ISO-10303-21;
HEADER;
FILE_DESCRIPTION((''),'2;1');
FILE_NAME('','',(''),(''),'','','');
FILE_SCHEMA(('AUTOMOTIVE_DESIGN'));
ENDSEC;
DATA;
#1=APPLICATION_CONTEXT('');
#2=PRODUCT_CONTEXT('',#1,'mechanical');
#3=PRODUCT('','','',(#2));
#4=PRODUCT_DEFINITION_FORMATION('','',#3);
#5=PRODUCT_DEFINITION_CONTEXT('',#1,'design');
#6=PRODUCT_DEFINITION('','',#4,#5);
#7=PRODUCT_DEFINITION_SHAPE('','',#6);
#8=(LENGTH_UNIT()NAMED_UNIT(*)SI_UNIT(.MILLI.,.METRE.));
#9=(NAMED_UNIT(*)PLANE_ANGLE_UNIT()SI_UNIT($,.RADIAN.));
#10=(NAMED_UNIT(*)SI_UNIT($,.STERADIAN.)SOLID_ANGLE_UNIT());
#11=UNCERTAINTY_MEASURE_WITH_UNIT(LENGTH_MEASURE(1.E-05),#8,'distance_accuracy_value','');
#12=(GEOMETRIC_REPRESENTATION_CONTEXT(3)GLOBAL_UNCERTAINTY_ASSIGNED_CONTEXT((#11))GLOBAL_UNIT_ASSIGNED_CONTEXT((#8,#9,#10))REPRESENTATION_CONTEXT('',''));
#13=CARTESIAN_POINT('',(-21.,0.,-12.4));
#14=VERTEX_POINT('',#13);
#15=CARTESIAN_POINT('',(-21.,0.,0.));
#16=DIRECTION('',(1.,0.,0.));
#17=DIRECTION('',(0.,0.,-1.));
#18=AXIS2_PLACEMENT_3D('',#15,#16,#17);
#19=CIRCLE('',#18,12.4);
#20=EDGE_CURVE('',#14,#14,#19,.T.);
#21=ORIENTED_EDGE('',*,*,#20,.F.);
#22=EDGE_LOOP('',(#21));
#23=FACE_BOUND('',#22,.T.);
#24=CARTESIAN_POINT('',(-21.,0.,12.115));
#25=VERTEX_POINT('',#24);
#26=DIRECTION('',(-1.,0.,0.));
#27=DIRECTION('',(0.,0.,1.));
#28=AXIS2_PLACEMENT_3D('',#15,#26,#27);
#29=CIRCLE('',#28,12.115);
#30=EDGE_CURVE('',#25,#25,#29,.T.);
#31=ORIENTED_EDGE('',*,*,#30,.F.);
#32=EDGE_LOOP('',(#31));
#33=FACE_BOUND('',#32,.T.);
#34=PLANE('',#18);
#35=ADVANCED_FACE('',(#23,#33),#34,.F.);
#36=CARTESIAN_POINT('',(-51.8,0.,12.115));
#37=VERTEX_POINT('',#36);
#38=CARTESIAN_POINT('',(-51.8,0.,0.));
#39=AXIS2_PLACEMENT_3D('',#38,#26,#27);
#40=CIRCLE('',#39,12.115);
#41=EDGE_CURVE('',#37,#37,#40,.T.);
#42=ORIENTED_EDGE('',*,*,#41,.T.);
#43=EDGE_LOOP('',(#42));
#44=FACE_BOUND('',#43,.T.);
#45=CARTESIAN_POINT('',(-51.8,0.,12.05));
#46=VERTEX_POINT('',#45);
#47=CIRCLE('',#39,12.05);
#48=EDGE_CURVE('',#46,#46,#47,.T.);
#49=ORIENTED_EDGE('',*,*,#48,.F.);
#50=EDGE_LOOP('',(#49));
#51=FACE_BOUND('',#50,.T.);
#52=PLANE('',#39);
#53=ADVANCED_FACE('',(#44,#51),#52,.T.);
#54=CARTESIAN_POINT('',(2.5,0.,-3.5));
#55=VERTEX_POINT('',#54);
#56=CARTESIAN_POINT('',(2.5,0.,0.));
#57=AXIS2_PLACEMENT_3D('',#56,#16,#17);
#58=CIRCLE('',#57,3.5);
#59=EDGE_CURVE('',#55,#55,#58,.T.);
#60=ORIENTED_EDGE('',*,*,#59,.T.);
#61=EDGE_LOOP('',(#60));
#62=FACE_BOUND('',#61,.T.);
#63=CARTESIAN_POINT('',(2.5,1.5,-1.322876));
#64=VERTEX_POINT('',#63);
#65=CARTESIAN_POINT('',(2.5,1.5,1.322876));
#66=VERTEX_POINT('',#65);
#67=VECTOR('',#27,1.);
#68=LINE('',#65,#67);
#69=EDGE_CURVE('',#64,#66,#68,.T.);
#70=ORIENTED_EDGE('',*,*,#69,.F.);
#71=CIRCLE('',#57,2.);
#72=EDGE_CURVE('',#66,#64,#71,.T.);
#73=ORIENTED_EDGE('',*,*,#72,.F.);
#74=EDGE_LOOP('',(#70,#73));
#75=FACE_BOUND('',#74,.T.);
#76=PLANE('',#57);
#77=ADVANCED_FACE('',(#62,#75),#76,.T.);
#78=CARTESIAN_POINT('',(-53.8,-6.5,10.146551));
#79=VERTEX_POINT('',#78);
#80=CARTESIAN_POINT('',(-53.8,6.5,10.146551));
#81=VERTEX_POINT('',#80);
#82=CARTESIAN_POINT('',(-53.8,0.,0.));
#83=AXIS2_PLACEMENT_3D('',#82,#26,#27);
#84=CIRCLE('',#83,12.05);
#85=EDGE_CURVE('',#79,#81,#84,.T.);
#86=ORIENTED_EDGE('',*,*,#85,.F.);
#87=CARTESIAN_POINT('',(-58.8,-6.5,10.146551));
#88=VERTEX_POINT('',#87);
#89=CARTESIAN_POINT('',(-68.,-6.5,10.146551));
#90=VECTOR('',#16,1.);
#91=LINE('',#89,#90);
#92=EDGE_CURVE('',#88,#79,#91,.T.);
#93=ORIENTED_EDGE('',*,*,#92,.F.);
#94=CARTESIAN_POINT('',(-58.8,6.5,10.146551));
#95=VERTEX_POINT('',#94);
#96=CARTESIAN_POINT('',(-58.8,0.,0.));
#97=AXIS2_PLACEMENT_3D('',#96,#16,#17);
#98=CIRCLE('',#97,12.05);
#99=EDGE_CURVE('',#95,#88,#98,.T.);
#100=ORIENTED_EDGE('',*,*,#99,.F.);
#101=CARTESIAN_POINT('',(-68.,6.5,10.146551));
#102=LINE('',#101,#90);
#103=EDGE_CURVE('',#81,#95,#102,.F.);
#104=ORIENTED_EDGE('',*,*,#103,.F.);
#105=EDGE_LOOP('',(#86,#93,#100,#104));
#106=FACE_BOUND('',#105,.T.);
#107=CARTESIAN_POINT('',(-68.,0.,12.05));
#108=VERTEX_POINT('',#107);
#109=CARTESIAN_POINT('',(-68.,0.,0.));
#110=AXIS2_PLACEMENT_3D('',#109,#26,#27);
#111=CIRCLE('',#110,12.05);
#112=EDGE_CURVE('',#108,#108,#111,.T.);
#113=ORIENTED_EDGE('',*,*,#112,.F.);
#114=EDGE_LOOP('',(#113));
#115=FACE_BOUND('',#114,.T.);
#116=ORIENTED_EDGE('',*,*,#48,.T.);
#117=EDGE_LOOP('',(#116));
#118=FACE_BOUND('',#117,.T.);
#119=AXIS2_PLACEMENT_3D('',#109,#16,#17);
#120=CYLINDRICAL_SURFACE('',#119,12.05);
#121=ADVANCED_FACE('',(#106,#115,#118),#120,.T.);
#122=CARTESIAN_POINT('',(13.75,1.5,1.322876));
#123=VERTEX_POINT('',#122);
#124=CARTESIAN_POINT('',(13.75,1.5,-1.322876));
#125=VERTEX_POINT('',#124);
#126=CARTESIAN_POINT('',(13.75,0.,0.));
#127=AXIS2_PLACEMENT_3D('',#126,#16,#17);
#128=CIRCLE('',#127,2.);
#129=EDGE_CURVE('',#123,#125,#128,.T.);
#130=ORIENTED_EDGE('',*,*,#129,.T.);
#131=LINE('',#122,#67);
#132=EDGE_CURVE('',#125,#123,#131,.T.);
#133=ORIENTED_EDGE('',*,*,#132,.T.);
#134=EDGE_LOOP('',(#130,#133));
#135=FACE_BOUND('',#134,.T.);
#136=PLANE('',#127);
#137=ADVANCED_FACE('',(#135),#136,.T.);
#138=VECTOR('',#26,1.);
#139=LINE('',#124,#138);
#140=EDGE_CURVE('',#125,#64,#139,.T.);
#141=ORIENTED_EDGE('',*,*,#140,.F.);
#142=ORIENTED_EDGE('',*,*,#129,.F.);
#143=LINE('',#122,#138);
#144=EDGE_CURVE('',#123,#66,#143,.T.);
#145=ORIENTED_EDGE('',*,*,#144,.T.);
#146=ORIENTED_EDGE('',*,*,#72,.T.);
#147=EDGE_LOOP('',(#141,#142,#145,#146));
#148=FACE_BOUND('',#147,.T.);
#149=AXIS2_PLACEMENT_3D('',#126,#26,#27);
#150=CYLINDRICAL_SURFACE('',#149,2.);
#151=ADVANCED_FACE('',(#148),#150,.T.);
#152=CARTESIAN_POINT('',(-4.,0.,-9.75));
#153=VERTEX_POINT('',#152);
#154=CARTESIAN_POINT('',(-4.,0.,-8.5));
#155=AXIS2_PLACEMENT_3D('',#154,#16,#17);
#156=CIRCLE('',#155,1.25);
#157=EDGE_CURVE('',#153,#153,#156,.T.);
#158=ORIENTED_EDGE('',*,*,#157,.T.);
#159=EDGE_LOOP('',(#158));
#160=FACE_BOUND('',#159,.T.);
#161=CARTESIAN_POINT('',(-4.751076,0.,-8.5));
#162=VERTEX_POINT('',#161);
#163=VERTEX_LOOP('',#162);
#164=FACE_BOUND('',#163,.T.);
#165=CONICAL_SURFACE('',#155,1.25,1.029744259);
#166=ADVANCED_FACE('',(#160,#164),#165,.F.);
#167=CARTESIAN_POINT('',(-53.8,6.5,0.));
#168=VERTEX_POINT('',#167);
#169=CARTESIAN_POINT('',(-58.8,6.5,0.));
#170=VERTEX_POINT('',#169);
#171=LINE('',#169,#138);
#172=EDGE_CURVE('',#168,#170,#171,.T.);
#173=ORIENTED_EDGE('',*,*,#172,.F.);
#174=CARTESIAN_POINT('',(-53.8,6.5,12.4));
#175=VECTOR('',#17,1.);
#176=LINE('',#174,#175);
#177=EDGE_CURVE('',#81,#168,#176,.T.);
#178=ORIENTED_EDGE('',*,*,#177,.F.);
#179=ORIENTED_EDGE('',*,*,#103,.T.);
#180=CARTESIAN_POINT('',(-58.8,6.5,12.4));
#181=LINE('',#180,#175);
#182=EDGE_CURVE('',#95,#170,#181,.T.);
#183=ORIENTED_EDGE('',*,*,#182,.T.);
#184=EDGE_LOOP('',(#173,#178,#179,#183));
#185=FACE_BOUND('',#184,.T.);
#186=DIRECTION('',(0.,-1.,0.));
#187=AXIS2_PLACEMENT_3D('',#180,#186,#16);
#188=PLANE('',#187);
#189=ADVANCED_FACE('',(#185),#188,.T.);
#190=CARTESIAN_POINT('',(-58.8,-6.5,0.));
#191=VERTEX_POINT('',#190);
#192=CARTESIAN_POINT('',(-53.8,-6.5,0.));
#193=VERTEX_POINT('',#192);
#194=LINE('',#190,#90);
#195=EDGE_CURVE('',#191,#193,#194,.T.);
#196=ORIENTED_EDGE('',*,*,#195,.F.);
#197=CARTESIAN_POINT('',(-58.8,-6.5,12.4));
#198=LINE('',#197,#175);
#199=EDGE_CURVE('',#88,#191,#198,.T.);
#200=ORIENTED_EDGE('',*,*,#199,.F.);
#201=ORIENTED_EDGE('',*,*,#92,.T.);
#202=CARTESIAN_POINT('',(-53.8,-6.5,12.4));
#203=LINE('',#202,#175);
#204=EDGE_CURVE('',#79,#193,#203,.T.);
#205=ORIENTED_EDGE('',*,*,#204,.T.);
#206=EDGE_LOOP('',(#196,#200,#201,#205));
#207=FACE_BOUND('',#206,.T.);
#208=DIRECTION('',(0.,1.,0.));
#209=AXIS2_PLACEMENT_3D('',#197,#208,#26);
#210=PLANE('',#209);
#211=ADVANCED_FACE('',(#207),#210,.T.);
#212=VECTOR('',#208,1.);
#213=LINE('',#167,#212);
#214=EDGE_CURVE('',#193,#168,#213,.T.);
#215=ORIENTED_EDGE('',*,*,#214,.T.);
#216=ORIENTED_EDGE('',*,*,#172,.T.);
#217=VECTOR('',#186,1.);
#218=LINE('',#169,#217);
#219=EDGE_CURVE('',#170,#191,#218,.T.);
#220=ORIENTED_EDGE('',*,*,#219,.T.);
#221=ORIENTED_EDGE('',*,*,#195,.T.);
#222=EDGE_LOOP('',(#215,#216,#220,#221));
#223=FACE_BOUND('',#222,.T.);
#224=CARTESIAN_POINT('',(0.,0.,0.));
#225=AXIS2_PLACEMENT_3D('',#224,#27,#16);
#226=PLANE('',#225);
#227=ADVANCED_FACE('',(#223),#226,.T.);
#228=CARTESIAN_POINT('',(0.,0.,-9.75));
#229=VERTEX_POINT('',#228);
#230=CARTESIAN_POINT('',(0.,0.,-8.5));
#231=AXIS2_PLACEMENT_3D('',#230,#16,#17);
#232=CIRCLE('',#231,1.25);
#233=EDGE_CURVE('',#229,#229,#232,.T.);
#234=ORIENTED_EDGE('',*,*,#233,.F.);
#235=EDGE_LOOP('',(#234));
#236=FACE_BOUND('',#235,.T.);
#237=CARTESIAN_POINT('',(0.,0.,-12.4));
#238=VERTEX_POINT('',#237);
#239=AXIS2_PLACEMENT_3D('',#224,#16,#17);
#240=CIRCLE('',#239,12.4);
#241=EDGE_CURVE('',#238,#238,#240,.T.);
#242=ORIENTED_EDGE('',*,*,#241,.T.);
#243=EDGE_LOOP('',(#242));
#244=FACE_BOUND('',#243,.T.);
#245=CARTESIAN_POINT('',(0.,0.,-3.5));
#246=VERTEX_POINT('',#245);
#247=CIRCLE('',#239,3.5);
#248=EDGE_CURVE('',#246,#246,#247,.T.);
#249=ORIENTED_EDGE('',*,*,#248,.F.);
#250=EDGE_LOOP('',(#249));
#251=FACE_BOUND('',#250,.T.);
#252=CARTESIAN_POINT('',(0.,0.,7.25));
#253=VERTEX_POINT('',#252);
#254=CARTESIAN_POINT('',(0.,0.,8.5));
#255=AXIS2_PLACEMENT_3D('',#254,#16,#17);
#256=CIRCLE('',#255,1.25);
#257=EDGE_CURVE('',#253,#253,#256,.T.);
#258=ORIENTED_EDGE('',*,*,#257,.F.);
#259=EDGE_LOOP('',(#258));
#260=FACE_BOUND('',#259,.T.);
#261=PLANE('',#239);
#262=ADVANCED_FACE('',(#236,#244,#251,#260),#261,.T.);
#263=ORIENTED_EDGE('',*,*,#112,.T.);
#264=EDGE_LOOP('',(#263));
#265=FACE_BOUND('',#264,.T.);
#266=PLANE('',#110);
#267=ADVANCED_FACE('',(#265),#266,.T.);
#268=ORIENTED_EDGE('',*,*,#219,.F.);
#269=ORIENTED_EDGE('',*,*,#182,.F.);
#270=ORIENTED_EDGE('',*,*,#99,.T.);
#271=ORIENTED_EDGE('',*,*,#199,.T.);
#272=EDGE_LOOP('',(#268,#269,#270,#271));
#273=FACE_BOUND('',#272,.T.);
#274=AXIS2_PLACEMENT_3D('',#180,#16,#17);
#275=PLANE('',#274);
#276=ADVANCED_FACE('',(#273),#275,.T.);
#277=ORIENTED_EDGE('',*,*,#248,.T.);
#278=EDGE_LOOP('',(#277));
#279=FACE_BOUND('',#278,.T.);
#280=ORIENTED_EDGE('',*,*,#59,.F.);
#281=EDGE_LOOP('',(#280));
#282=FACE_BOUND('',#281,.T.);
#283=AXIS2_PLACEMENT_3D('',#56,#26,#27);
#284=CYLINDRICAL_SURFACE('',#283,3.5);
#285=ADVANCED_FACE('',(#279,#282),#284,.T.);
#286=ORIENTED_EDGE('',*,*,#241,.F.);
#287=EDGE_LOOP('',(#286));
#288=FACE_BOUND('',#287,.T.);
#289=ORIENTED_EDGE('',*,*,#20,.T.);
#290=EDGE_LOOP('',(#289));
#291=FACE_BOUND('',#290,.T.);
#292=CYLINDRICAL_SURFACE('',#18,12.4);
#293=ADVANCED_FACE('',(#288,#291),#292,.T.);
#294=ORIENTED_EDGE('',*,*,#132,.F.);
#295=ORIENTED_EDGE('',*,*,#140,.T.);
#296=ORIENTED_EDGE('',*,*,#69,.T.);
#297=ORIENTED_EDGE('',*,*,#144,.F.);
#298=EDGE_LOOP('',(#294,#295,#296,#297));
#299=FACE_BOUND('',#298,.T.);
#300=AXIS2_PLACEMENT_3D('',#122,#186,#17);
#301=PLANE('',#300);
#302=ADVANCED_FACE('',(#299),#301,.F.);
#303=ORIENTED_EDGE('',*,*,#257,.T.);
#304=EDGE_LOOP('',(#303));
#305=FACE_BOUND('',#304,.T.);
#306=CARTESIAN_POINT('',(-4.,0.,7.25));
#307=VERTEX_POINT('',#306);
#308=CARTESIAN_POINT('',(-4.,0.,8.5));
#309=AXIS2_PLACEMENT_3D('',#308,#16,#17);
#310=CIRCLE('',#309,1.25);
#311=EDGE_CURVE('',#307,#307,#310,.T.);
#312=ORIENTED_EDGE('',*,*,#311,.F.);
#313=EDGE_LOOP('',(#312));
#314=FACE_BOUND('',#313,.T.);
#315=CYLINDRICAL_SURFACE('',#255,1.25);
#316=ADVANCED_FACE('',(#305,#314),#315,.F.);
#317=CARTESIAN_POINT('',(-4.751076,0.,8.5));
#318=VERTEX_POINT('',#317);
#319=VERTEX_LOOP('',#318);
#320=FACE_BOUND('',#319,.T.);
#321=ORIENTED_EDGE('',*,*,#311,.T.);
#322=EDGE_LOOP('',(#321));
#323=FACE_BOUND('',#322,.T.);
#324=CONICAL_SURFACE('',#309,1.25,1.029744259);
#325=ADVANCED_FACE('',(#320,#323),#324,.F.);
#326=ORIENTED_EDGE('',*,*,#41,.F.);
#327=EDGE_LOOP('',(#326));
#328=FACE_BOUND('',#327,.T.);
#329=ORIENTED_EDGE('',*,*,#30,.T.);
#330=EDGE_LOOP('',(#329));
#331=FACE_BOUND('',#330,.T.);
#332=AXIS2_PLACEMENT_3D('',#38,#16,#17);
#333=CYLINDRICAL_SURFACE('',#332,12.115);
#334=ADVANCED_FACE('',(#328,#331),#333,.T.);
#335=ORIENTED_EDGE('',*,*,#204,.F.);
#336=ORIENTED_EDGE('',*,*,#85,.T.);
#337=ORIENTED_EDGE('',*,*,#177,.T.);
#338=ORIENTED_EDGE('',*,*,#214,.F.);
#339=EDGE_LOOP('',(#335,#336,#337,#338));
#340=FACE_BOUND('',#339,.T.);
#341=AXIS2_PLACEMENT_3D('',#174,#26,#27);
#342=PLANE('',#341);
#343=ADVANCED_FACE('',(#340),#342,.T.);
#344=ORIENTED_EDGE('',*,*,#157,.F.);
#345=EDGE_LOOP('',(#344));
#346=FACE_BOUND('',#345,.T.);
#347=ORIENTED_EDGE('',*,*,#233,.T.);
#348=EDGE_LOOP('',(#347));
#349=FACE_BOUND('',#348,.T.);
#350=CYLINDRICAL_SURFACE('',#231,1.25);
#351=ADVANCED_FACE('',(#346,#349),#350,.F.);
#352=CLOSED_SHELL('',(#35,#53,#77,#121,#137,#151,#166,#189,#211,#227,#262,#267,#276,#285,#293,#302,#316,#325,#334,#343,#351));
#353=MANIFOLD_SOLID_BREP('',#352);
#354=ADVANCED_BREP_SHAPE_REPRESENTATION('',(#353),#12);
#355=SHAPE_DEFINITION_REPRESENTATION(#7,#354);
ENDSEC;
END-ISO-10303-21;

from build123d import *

# Parameters (mm, degrees)
SKETCH1_R                 = 12.4
BOSS_EXTRUDE2_DEPTH       = 21
SKETCH3_R                 = 12.115
BOSS_EXTRUDE3_DEPTH       = 30.8
SKETCH4_R                 = 12.05
BOSS_EXTRUDE4_DEPTH       = 16.2
SKETCH5_R                 = 3.5
BOSS_EXTRUDE5_DEPTH       = 2.5
BOSS_EXTRUDE6_DEPTH       = 11.25
M3X0_5_TAPPED_HOLE1_D     = 2.5
M3X0_5_TAPPED_HOLE1_DEPTH = 4
M3X0_5_TAPPED_HOLE1_TIP   = 0.751075774
SKETCH9_W                 = 5
SKETCH9_H                 = 13
CUT_EXTRUDE2_DEPTH        = 13.4


with BuildPart() as part:
    # Sketch1 → Boss-Extrude2 (new body)
    with BuildSketch(Plane(origin=(0, 0, 0), x_dir=(0, 0, -1), z_dir=(1, 0, 0))):
        Circle(SKETCH1_R)
    extrude(amount=-BOSS_EXTRUDE2_DEPTH)

    # Sketch3 → Boss-Extrude3 (add)
    with BuildSketch(Plane.ZY.offset(21)):
        Circle(SKETCH3_R)
    extrude(amount=BOSS_EXTRUDE3_DEPTH)

    # Sketch4 → Boss-Extrude4 (add)
    with BuildSketch(Plane.ZY.offset(51.8)):
        Circle(SKETCH4_R)
    extrude(amount=BOSS_EXTRUDE4_DEPTH)

    # Sketch5 → Boss-Extrude5 (add)
    with BuildSketch(Plane(origin=(0, 0, 0), x_dir=(0, 0, -1), z_dir=(1, 0, 0))):
        Circle(SKETCH5_R)
    extrude(amount=BOSS_EXTRUDE5_DEPTH)

    # Sketch6 → Boss-Extrude6 (add)
    with BuildSketch(Plane(origin=(2.5, 0, 0), x_dir=(0, 0, -1), z_dir=(1, 0, 0))):
        with BuildLine():
            Line((-1.322875656, 1.5), (1.322875656, 1.5))
            ThreePointArc((1.322875656, 1.5), (0, -2), (-1.322875656, 1.5))
        make_face()
    extrude(amount=BOSS_EXTRUDE6_DEPTH)

    # M3x0.5 Tapped Hole1
    with Locations(Plane(origin=(0, 0, 0), x_dir=(0, 0, -1), z_dir=(1, 0, 0))):
        with Locations((-8.5, 0), (8.5, 0)):
            Hole(M3X0_5_TAPPED_HOLE1_D / 2, depth=M3X0_5_TAPPED_HOLE1_DEPTH)
            with Locations((0, 0, -(M3X0_5_TAPPED_HOLE1_DEPTH + M3X0_5_TAPPED_HOLE1_TIP / 2))):  # 118° drill point
                Cone(0, M3X0_5_TAPPED_HOLE1_D / 2, M3X0_5_TAPPED_HOLE1_TIP, mode=Mode.SUBTRACT)

    # Sketch9 → Cut-Extrude2 (cut, through all)
    with BuildSketch(Plane.XY):
        with Locations((-56.3, 0)):
            Rectangle(SKETCH9_W, SKETCH9_H)
    extrude(amount=CUT_EXTRUDE2_DEPTH, mode=Mode.SUBTRACT)


solid = part.part
